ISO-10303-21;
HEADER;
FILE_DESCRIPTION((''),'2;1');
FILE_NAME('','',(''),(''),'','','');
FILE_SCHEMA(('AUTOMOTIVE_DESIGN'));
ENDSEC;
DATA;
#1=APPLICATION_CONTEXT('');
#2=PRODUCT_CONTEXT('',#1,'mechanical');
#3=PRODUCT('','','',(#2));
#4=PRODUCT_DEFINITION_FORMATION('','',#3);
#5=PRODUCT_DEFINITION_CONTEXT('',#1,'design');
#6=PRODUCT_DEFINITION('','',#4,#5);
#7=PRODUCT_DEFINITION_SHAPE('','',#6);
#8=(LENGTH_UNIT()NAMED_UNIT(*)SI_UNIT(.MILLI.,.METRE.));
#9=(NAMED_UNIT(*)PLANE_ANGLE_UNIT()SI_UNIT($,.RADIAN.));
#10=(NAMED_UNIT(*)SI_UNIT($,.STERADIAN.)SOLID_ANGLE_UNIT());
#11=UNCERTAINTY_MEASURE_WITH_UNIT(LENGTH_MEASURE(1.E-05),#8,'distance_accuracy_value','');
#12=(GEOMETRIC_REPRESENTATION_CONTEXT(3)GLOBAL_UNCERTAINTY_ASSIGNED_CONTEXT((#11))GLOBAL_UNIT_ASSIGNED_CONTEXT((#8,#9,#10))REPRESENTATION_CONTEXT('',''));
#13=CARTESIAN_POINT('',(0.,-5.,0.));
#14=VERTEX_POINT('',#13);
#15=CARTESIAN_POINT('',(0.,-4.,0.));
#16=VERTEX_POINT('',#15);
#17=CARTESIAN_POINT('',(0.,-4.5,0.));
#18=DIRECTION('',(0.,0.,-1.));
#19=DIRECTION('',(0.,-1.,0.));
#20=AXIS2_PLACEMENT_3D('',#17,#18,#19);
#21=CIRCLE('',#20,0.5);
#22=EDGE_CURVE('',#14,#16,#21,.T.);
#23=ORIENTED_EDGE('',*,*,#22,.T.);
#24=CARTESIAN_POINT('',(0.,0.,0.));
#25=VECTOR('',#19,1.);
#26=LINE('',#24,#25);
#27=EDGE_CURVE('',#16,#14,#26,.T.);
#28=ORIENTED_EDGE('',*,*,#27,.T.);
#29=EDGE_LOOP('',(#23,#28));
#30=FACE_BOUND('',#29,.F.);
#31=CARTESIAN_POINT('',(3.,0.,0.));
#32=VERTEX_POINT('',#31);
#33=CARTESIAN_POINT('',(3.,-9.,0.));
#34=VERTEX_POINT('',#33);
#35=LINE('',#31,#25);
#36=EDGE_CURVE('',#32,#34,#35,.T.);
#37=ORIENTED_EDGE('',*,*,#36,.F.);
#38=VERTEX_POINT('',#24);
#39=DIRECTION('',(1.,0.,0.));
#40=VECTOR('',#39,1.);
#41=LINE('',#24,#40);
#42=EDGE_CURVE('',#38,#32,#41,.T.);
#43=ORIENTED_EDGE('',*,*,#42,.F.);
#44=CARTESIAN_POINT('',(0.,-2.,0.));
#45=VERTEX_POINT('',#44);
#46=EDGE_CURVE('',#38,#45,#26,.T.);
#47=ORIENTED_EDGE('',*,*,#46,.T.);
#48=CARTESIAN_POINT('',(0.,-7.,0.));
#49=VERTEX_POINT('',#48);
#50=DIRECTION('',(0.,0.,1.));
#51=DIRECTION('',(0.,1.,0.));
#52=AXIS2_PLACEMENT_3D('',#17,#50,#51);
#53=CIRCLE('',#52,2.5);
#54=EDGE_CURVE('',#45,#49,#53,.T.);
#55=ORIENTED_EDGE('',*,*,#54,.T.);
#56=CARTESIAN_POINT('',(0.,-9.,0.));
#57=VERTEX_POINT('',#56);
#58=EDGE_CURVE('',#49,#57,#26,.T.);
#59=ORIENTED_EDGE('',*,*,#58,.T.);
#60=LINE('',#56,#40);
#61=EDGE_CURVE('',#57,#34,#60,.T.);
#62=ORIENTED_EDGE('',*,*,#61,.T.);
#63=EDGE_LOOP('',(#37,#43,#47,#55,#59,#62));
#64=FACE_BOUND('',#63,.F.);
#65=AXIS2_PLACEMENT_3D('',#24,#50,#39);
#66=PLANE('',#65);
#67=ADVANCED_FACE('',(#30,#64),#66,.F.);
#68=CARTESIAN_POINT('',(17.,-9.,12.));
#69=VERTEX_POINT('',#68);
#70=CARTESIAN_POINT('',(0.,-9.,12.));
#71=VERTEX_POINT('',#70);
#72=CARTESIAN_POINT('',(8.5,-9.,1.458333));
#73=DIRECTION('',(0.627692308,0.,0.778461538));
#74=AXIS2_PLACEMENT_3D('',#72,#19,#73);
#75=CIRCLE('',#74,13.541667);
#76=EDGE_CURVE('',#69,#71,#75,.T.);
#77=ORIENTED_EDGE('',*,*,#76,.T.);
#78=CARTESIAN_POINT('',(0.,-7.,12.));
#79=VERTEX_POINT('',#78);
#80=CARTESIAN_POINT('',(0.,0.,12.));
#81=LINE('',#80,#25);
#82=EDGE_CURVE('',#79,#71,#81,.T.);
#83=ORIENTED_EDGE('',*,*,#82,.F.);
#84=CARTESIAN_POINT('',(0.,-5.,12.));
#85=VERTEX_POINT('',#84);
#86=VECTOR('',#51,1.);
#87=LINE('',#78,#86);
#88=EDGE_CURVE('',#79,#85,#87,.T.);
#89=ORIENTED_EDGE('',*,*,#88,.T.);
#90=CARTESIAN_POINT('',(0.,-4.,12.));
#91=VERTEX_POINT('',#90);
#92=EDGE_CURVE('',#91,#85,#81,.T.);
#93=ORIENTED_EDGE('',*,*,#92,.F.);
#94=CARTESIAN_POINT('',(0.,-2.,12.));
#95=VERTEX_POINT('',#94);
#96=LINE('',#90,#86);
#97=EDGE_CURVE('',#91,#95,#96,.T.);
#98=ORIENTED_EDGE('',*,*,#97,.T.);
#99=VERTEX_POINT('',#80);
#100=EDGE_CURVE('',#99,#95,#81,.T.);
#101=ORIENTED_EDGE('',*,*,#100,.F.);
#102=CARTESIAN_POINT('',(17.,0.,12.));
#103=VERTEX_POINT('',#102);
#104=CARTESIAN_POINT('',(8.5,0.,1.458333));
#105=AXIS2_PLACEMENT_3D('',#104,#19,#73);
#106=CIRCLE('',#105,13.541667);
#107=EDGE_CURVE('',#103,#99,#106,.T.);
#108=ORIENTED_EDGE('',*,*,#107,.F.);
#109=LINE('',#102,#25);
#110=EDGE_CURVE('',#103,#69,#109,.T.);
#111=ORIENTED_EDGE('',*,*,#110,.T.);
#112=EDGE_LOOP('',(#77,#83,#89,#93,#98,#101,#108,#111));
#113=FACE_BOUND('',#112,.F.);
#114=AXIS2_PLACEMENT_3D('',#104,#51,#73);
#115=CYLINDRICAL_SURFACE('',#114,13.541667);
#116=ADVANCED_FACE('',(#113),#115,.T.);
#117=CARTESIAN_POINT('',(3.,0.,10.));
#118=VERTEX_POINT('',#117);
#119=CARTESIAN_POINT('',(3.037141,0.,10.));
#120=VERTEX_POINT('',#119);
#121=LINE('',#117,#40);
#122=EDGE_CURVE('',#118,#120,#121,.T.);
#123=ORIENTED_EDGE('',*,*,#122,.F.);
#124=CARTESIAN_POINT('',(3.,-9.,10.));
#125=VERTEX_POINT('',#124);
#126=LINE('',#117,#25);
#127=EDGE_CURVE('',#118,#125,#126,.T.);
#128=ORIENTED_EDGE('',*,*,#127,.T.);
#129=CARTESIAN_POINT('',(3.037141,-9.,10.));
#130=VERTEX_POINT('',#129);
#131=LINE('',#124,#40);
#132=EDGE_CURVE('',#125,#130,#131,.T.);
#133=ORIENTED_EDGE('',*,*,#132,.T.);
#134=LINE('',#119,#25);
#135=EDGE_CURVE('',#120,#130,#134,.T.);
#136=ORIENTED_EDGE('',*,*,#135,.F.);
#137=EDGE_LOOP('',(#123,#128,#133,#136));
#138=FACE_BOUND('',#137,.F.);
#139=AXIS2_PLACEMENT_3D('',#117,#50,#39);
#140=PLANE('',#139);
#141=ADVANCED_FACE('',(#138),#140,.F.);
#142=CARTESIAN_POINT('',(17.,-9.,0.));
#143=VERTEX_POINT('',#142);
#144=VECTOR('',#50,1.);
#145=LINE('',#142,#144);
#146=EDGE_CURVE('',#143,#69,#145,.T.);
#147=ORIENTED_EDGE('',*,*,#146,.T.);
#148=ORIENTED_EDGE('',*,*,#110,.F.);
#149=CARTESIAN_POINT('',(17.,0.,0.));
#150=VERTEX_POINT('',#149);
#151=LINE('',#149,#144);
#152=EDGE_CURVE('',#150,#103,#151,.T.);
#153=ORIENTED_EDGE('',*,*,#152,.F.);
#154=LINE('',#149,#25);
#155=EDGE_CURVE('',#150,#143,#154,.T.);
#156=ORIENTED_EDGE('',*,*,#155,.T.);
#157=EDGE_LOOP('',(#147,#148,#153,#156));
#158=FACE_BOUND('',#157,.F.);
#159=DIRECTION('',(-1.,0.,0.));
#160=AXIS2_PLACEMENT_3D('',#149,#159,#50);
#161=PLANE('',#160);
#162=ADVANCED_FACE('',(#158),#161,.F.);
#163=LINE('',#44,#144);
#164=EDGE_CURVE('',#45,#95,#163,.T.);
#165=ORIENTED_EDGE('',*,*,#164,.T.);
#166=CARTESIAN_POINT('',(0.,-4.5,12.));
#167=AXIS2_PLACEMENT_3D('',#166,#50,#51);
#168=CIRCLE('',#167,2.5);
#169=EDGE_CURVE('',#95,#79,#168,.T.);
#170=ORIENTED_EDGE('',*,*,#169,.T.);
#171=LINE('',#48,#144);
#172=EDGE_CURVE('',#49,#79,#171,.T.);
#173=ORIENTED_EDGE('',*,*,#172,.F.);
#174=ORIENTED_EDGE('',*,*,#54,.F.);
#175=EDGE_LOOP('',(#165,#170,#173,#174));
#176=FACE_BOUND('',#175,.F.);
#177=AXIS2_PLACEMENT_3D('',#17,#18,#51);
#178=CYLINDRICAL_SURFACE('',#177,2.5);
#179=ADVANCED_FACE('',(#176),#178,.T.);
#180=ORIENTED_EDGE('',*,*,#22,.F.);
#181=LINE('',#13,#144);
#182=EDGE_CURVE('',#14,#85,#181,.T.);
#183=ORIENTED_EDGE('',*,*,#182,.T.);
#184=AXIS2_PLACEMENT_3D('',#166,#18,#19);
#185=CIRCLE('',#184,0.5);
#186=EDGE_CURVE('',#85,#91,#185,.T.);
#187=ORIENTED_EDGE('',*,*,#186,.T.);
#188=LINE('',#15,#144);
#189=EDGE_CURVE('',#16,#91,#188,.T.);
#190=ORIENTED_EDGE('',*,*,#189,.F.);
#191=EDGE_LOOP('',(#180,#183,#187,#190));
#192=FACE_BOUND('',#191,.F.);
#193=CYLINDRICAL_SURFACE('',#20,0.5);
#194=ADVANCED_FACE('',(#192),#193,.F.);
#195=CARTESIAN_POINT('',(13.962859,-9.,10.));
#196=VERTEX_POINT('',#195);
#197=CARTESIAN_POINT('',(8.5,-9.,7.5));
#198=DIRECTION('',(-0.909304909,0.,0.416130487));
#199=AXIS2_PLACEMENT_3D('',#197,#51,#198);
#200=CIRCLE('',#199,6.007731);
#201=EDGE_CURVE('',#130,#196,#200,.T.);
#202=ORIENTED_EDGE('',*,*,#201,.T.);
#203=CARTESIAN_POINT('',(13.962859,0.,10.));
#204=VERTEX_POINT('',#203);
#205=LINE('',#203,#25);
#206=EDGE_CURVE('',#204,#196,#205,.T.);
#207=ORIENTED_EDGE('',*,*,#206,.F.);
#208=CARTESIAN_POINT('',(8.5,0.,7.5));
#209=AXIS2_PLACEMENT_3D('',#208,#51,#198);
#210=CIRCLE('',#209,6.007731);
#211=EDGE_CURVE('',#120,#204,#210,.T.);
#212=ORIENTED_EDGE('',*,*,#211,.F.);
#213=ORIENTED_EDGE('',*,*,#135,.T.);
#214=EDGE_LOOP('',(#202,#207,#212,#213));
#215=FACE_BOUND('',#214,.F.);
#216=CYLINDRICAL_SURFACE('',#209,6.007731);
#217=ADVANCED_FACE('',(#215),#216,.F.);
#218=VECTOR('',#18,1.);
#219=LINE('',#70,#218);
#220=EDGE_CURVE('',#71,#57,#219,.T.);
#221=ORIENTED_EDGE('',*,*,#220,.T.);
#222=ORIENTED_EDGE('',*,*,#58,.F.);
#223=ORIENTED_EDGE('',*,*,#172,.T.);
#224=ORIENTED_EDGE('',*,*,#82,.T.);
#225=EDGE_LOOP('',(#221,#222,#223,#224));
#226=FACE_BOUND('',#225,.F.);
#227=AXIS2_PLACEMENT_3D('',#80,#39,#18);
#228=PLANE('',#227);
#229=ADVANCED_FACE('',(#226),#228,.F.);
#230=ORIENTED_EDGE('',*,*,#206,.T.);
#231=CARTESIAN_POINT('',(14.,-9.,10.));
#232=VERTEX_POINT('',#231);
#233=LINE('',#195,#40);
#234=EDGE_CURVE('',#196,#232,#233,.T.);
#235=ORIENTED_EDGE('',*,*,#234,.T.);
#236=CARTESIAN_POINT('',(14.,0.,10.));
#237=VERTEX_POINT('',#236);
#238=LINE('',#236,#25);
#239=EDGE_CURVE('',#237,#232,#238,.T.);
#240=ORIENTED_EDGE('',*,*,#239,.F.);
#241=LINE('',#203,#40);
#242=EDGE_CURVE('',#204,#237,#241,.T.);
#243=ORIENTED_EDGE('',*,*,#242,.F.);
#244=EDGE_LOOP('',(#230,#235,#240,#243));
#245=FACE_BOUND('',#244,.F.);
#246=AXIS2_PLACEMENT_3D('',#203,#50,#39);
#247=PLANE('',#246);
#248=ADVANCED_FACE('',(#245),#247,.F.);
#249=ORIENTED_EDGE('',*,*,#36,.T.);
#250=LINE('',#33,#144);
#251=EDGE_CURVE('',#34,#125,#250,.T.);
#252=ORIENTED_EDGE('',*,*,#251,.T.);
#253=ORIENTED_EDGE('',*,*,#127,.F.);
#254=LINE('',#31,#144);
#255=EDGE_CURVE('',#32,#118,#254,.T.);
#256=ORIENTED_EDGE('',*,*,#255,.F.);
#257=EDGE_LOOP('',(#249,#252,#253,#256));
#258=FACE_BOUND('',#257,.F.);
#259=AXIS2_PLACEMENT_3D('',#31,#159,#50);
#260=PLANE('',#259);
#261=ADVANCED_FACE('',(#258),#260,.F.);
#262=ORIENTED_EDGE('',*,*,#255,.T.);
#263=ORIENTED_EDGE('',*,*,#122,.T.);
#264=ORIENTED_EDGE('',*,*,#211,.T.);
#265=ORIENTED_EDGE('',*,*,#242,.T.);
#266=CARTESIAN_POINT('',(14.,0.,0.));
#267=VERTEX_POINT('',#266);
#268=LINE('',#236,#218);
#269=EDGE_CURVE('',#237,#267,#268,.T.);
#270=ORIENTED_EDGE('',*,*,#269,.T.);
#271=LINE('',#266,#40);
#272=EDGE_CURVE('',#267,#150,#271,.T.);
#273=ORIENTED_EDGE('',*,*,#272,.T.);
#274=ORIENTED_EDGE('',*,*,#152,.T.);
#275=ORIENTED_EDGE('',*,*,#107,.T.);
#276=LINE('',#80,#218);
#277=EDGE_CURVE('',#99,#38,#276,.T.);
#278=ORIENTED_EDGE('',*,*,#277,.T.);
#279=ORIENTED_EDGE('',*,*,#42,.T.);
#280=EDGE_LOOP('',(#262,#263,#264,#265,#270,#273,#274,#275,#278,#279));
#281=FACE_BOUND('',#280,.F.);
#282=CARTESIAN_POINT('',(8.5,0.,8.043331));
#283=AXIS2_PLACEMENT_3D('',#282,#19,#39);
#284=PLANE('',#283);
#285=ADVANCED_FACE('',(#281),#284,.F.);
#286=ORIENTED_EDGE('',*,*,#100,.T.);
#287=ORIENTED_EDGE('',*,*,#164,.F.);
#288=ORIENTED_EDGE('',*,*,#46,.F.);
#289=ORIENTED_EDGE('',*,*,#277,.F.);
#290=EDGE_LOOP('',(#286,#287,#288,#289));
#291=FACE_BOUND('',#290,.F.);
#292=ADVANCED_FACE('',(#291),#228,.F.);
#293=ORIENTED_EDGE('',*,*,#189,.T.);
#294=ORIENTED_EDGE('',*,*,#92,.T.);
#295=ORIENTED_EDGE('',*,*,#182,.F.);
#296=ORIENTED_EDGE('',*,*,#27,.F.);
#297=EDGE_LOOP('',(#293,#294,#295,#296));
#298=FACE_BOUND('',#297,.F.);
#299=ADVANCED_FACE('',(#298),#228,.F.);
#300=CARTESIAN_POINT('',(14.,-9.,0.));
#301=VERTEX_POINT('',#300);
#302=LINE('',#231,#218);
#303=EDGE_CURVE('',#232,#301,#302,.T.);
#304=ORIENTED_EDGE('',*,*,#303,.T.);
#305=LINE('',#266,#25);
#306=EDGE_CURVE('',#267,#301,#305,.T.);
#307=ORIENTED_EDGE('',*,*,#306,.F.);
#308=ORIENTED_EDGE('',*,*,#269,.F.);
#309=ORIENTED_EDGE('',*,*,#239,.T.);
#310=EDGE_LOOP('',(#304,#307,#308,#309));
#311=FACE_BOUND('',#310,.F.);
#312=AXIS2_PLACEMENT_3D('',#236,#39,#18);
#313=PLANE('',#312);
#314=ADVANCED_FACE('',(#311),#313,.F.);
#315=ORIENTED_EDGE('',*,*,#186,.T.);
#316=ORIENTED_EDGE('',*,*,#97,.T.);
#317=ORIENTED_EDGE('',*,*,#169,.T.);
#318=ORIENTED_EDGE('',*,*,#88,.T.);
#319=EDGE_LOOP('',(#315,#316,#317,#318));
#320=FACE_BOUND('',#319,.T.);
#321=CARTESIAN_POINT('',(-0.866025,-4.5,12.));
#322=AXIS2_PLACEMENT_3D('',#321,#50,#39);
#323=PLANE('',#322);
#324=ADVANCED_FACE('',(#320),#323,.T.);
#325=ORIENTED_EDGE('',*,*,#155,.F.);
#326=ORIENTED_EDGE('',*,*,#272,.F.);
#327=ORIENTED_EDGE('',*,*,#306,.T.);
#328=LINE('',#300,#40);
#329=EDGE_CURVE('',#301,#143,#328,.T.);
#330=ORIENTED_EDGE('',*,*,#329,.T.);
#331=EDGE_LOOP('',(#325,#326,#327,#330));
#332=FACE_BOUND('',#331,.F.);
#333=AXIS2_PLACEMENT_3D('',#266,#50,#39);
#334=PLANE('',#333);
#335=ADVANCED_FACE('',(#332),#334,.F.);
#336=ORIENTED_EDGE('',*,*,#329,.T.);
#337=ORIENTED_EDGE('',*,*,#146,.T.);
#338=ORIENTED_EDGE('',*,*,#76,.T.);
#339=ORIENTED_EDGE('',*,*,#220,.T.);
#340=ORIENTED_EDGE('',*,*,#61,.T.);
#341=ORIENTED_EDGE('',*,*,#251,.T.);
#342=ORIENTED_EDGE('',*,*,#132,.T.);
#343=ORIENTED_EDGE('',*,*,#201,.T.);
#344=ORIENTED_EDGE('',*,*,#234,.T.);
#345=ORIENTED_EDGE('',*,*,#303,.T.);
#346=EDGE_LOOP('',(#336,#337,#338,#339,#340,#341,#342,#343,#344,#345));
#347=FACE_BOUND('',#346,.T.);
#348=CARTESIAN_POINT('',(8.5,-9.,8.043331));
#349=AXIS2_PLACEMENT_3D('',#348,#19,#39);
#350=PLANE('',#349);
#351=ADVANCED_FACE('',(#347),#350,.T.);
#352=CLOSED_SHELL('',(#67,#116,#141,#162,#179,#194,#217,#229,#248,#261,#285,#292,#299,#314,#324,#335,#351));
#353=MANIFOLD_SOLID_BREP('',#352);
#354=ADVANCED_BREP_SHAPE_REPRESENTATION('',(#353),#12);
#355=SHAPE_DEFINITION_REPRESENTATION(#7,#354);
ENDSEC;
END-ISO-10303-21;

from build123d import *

# Parameters (mm, degrees)
F1_DEPTH = 9
F3_DEPTH = 12


with BuildPart() as f1:
    # F0 (on Front) → F1 (new body)
    with BuildSketch(Plane.XZ):
        with BuildLine():
            Line((0, 12), (0, 0))
            Line((0, 0), (3, 0))
            Line((3, 0), (3, 9.9171948475))
            Line((3, 9.9171948475), (3, 10))
            Line((3, 10), (3.0371407733, 10))
            ThreePointArc((3.0371407733, 10), (8.5, 13.5077309303), (13.9628592267, 10))
            Line((13.9628592267, 10), (14, 10))
            Line((14, 10), (14, 9.9171948475))
            Line((14, 9.9171948475), (14, 0))
            Line((14, 0), (17, 0))
            Line((17, 0), (17, 12))
            ThreePointArc((17, 12), (8.5, 15), (0, 12))
        make_face()
    extrude(amount=F1_DEPTH)

    # F2 (on Top) → F3 (join)
    with BuildSketch(Plane.XY):
        with BuildLine():
            ThreePointArc((0, -2), (-2.5, -4.5), (0, -7))
            Line((0, -7), (0, -5))
            ThreePointArc((0, -5), (-0.5, -4.5), (0, -4))
            Line((0, -4), (0, -2))
        make_face()
    extrude(amount=F3_DEPTH)


solid = f1.part
